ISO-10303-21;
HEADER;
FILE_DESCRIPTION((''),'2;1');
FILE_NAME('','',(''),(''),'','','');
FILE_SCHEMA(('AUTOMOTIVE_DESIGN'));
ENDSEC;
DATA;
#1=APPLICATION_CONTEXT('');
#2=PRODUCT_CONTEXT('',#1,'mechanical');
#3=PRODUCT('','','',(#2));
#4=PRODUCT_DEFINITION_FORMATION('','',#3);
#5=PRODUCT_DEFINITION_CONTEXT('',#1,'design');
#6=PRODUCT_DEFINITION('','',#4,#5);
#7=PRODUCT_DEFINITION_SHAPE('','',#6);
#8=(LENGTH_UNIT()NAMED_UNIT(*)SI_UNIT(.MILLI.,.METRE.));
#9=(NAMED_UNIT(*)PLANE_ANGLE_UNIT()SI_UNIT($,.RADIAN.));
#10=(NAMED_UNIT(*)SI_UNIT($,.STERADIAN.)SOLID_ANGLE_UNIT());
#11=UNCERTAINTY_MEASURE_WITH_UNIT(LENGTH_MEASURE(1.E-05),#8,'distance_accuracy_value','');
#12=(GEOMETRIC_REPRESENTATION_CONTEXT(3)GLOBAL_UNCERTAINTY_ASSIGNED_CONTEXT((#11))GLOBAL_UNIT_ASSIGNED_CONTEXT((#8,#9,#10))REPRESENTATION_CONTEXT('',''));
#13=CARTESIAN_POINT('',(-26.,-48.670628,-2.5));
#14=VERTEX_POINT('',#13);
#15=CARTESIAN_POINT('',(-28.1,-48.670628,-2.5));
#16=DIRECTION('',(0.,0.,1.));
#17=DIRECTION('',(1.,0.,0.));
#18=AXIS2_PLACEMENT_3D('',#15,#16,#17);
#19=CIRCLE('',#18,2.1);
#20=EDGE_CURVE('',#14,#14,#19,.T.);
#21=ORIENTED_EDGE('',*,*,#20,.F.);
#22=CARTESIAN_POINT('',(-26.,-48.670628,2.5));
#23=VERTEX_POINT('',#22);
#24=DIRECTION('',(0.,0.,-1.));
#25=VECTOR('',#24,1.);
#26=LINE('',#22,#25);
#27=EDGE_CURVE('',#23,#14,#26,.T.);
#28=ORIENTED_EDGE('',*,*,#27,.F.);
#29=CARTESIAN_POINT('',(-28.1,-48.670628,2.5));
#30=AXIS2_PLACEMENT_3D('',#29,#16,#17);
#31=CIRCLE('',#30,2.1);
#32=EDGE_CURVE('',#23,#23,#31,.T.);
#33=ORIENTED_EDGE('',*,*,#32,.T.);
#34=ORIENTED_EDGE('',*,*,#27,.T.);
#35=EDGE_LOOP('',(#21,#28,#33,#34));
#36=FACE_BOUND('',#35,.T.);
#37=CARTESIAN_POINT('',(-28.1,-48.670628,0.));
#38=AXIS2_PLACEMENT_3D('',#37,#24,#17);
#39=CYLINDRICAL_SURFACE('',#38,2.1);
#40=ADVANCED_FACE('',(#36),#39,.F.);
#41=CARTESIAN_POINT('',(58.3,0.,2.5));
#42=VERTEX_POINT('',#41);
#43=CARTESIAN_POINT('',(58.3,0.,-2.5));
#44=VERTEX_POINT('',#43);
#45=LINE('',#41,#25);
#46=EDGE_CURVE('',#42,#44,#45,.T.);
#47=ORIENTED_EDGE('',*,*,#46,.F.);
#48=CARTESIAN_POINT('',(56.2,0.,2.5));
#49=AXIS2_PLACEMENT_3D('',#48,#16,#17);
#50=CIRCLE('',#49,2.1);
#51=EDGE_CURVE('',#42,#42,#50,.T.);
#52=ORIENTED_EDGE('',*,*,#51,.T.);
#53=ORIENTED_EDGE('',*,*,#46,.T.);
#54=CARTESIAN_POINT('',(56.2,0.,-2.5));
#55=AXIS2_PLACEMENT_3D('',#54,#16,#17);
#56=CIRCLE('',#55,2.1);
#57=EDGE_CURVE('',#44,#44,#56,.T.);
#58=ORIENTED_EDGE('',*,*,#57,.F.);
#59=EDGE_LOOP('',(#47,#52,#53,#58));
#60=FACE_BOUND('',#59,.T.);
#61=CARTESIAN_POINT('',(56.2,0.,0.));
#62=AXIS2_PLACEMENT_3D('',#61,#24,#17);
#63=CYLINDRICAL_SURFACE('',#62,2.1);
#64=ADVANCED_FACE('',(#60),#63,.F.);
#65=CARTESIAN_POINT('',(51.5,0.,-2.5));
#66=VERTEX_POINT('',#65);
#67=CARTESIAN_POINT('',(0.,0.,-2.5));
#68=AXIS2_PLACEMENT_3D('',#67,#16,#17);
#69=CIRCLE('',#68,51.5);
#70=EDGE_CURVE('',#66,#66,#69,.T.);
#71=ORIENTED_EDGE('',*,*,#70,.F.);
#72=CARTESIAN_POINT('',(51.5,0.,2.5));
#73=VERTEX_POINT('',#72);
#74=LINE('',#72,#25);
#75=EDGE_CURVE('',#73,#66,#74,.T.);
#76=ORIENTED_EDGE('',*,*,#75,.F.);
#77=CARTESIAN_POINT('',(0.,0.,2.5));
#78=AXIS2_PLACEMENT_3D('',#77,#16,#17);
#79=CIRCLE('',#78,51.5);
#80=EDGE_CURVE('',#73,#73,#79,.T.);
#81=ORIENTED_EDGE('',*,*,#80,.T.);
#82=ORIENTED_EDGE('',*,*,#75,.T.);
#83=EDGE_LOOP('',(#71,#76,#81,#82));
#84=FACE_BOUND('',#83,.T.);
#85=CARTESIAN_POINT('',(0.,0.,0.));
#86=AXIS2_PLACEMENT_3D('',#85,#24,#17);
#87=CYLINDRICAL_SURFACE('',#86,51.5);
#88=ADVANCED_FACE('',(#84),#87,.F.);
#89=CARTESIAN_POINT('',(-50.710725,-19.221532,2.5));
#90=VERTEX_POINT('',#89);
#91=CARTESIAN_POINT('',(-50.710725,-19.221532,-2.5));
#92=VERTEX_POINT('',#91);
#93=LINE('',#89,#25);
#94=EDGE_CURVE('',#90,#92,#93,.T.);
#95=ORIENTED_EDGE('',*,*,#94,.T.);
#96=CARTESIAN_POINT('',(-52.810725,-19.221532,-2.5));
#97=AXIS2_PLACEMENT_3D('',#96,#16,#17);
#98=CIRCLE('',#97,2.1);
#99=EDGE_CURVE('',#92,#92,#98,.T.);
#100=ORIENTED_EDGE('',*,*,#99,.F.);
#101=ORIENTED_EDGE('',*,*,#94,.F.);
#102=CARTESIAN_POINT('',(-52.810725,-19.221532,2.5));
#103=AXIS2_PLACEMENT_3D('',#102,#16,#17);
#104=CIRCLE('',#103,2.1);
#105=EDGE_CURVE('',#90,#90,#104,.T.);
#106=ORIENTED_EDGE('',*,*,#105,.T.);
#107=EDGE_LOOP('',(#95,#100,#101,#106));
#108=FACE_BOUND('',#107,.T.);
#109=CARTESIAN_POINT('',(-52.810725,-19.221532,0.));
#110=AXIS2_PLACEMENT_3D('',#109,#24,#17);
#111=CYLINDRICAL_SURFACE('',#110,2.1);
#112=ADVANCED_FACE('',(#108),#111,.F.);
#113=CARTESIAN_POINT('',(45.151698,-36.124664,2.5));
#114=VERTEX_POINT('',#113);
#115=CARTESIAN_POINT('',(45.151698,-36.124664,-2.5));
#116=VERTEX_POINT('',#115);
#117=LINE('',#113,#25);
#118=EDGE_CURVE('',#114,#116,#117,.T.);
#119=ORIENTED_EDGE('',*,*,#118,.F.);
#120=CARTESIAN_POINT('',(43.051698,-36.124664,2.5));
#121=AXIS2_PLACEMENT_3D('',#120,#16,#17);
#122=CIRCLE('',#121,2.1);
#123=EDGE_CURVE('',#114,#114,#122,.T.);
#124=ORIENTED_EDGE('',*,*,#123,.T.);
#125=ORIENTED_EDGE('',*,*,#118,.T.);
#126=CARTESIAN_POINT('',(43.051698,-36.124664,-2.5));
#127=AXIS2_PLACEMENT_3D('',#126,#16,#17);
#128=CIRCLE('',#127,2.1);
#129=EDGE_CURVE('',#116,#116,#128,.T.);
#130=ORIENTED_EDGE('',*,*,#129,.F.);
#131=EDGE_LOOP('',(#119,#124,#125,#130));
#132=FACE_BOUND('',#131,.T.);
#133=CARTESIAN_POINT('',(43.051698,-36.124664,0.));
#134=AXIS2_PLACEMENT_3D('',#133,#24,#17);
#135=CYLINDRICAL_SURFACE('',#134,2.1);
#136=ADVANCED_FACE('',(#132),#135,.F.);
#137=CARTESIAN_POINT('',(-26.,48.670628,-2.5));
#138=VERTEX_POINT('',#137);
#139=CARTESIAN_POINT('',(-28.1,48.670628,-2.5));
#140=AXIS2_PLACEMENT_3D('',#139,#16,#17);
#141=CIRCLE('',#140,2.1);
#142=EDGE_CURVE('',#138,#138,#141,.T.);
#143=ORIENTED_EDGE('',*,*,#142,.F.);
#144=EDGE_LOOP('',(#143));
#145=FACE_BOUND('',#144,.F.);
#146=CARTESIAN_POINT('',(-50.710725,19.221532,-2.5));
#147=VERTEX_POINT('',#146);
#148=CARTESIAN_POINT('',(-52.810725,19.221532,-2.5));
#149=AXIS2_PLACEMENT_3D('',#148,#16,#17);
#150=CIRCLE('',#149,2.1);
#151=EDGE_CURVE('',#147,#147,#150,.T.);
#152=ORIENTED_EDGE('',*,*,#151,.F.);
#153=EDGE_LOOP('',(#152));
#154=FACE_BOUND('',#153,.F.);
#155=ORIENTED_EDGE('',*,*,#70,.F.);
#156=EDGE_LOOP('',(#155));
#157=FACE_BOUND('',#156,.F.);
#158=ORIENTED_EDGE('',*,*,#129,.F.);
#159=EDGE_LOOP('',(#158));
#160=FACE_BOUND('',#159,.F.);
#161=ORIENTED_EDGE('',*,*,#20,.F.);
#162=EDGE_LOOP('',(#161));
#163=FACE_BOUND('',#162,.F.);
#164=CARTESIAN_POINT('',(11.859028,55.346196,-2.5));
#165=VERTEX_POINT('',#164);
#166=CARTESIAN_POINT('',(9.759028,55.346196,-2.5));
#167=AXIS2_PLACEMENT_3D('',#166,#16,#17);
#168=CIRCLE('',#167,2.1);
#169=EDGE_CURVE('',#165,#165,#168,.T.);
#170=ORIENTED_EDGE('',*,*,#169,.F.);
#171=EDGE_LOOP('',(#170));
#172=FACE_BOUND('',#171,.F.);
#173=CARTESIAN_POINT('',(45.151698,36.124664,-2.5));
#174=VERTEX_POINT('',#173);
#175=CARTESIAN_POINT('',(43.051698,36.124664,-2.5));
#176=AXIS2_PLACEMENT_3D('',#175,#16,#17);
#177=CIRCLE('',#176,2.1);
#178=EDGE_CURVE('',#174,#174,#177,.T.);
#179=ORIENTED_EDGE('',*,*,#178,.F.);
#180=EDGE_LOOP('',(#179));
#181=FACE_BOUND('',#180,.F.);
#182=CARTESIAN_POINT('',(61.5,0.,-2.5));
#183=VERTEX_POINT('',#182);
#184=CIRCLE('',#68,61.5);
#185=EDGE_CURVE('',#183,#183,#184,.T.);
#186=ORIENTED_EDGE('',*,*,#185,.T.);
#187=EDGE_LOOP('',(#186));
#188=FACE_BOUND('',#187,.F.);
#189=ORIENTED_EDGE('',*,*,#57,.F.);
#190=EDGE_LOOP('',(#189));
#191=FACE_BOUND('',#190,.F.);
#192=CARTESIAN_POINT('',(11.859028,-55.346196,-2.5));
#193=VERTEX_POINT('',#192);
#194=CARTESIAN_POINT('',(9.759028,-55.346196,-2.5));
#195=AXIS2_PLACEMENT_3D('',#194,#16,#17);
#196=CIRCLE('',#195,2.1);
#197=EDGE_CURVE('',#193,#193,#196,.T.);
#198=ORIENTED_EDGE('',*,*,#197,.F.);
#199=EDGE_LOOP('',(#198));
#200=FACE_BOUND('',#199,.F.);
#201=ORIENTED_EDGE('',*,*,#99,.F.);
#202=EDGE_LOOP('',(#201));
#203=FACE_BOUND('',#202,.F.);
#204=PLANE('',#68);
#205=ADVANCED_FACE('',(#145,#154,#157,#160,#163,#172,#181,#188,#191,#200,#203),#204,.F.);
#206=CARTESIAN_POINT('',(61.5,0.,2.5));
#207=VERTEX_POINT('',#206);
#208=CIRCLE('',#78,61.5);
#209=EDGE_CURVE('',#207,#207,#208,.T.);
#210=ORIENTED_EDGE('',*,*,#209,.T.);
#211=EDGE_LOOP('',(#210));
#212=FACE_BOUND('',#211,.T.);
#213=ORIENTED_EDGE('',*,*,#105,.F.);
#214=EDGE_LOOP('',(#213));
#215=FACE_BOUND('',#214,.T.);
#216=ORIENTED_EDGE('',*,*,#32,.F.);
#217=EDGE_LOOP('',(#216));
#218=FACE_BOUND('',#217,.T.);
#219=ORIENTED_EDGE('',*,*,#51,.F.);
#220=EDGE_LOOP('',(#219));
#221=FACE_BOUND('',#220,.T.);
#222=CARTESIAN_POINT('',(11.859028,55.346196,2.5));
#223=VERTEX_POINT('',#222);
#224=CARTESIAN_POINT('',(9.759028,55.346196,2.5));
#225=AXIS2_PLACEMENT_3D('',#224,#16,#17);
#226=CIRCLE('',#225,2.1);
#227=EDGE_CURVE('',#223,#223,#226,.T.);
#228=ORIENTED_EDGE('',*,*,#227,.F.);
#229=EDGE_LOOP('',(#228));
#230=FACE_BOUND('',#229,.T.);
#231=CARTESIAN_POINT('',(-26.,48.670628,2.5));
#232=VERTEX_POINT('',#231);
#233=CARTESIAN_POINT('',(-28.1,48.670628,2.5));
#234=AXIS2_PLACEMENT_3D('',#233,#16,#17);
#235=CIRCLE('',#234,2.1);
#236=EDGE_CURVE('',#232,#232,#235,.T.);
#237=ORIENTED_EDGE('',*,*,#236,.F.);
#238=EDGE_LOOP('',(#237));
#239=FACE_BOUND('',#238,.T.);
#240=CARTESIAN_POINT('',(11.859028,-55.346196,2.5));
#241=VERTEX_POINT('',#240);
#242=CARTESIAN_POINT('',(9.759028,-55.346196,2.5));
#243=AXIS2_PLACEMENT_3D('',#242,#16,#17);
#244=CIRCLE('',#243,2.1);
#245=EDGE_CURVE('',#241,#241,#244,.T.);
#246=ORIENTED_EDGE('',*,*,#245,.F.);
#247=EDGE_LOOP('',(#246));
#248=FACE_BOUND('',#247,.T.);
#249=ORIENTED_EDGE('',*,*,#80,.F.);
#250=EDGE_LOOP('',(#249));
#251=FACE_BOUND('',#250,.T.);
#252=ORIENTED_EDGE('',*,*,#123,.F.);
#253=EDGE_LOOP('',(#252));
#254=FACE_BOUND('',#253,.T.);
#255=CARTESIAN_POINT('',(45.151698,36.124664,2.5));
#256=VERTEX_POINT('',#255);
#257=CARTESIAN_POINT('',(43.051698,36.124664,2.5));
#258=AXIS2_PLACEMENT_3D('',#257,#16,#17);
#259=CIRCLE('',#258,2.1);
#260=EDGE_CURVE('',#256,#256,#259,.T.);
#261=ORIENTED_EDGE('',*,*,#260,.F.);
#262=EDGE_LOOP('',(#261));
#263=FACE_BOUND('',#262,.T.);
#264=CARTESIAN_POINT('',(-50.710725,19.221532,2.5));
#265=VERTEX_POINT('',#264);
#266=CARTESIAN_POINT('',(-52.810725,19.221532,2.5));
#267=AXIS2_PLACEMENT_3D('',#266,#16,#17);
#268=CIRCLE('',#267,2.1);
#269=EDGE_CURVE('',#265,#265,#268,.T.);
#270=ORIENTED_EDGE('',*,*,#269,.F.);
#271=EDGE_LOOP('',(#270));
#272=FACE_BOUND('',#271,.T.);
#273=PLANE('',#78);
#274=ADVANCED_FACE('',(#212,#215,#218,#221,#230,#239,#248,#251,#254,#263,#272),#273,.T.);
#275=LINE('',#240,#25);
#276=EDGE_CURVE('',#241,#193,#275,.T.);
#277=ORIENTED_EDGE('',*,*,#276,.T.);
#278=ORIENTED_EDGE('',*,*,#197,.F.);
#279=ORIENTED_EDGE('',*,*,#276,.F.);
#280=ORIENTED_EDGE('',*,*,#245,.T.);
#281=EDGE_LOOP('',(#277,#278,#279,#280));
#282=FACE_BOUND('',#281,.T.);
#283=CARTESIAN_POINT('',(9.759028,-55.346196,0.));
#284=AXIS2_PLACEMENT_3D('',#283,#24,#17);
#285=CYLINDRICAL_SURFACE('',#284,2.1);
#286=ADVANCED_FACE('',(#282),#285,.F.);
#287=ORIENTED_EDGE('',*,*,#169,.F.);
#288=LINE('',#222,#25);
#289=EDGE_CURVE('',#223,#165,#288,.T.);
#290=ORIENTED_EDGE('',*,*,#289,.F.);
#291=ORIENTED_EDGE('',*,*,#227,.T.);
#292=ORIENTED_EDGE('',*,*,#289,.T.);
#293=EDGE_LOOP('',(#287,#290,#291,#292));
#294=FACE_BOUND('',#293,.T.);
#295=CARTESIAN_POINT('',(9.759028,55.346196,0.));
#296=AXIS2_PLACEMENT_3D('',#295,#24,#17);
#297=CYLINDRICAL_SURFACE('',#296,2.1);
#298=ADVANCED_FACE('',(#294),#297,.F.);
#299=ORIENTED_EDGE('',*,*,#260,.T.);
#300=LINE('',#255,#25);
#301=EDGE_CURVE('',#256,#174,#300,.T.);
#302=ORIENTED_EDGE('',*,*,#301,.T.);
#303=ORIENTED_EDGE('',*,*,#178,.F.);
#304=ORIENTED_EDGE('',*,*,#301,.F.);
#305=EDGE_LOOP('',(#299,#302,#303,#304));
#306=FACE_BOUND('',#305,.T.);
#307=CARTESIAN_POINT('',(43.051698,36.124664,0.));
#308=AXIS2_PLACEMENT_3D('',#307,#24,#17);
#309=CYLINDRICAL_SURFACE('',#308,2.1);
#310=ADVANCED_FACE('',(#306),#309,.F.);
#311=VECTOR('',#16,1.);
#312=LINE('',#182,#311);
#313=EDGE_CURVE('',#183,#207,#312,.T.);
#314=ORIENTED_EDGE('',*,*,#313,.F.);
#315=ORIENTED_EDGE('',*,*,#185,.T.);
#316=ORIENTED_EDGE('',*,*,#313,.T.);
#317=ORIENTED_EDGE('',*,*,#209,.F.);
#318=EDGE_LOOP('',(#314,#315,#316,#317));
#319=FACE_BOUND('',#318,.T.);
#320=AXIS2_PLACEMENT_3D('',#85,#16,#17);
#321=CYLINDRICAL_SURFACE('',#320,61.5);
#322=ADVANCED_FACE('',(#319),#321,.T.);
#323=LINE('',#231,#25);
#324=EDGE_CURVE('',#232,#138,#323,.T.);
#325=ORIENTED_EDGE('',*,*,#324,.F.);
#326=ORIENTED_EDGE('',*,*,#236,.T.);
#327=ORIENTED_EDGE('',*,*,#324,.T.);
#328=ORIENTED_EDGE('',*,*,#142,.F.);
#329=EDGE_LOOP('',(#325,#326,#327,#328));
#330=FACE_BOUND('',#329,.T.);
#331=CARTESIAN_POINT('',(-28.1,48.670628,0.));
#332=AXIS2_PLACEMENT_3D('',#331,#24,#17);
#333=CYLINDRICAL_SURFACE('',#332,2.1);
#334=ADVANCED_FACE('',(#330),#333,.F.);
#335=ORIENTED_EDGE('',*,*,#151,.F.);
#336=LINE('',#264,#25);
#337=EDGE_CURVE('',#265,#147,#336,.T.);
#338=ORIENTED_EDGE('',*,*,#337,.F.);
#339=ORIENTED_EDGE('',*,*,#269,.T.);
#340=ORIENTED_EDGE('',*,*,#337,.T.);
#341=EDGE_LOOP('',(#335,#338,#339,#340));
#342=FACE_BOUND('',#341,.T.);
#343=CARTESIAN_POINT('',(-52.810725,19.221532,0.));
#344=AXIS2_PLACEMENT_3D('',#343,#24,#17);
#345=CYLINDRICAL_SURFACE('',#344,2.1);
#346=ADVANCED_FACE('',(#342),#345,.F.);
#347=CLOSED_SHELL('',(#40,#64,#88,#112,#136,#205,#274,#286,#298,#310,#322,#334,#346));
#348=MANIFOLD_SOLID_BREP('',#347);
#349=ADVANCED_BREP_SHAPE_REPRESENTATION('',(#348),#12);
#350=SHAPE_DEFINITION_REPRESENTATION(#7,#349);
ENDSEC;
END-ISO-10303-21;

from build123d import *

# Parameters (mm, degrees)
F0_R     = 61.5
F0_R_2   = 2.1
F0_R_3   = 51.5
F1_DEPTH = 2.5


with BuildPart() as f1:
    # F0 (on Top) → F1 (new body, symmetric)
    with BuildSketch(Plane.XY):
        Circle(F0_R)
        with Locations((-28.1, -48.670628)):
            Circle(F0_R_2, mode=Mode.SUBTRACT)
        with Locations((-52.810725, -19.221532)):
            Circle(F0_R_2, mode=Mode.SUBTRACT)
        with Locations((9.759028, -55.346196)):
            Circle(F0_R_2, mode=Mode.SUBTRACT)
        with Locations((43.051698, -36.124664)):
            Circle(F0_R_2, mode=Mode.SUBTRACT)
        with Locations((-52.810725, 19.221532)):
            Circle(F0_R_2, mode=Mode.SUBTRACT)
        with Locations((-28.1, 48.670628)):
            Circle(F0_R_2, mode=Mode.SUBTRACT)
        Circle(F0_R_3, mode=Mode.SUBTRACT)
        with Locations((56.2, 0)):
            Circle(F0_R_2, mode=Mode.SUBTRACT)
        with Locations((9.759028, 55.346196)):
            Circle(F0_R_2, mode=Mode.SUBTRACT)
        with Locations((43.051698, 36.124664)):
            Circle(F0_R_2, mode=Mode.SUBTRACT)
    extrude(amount=F1_DEPTH, both=True)


solid = f1.part
